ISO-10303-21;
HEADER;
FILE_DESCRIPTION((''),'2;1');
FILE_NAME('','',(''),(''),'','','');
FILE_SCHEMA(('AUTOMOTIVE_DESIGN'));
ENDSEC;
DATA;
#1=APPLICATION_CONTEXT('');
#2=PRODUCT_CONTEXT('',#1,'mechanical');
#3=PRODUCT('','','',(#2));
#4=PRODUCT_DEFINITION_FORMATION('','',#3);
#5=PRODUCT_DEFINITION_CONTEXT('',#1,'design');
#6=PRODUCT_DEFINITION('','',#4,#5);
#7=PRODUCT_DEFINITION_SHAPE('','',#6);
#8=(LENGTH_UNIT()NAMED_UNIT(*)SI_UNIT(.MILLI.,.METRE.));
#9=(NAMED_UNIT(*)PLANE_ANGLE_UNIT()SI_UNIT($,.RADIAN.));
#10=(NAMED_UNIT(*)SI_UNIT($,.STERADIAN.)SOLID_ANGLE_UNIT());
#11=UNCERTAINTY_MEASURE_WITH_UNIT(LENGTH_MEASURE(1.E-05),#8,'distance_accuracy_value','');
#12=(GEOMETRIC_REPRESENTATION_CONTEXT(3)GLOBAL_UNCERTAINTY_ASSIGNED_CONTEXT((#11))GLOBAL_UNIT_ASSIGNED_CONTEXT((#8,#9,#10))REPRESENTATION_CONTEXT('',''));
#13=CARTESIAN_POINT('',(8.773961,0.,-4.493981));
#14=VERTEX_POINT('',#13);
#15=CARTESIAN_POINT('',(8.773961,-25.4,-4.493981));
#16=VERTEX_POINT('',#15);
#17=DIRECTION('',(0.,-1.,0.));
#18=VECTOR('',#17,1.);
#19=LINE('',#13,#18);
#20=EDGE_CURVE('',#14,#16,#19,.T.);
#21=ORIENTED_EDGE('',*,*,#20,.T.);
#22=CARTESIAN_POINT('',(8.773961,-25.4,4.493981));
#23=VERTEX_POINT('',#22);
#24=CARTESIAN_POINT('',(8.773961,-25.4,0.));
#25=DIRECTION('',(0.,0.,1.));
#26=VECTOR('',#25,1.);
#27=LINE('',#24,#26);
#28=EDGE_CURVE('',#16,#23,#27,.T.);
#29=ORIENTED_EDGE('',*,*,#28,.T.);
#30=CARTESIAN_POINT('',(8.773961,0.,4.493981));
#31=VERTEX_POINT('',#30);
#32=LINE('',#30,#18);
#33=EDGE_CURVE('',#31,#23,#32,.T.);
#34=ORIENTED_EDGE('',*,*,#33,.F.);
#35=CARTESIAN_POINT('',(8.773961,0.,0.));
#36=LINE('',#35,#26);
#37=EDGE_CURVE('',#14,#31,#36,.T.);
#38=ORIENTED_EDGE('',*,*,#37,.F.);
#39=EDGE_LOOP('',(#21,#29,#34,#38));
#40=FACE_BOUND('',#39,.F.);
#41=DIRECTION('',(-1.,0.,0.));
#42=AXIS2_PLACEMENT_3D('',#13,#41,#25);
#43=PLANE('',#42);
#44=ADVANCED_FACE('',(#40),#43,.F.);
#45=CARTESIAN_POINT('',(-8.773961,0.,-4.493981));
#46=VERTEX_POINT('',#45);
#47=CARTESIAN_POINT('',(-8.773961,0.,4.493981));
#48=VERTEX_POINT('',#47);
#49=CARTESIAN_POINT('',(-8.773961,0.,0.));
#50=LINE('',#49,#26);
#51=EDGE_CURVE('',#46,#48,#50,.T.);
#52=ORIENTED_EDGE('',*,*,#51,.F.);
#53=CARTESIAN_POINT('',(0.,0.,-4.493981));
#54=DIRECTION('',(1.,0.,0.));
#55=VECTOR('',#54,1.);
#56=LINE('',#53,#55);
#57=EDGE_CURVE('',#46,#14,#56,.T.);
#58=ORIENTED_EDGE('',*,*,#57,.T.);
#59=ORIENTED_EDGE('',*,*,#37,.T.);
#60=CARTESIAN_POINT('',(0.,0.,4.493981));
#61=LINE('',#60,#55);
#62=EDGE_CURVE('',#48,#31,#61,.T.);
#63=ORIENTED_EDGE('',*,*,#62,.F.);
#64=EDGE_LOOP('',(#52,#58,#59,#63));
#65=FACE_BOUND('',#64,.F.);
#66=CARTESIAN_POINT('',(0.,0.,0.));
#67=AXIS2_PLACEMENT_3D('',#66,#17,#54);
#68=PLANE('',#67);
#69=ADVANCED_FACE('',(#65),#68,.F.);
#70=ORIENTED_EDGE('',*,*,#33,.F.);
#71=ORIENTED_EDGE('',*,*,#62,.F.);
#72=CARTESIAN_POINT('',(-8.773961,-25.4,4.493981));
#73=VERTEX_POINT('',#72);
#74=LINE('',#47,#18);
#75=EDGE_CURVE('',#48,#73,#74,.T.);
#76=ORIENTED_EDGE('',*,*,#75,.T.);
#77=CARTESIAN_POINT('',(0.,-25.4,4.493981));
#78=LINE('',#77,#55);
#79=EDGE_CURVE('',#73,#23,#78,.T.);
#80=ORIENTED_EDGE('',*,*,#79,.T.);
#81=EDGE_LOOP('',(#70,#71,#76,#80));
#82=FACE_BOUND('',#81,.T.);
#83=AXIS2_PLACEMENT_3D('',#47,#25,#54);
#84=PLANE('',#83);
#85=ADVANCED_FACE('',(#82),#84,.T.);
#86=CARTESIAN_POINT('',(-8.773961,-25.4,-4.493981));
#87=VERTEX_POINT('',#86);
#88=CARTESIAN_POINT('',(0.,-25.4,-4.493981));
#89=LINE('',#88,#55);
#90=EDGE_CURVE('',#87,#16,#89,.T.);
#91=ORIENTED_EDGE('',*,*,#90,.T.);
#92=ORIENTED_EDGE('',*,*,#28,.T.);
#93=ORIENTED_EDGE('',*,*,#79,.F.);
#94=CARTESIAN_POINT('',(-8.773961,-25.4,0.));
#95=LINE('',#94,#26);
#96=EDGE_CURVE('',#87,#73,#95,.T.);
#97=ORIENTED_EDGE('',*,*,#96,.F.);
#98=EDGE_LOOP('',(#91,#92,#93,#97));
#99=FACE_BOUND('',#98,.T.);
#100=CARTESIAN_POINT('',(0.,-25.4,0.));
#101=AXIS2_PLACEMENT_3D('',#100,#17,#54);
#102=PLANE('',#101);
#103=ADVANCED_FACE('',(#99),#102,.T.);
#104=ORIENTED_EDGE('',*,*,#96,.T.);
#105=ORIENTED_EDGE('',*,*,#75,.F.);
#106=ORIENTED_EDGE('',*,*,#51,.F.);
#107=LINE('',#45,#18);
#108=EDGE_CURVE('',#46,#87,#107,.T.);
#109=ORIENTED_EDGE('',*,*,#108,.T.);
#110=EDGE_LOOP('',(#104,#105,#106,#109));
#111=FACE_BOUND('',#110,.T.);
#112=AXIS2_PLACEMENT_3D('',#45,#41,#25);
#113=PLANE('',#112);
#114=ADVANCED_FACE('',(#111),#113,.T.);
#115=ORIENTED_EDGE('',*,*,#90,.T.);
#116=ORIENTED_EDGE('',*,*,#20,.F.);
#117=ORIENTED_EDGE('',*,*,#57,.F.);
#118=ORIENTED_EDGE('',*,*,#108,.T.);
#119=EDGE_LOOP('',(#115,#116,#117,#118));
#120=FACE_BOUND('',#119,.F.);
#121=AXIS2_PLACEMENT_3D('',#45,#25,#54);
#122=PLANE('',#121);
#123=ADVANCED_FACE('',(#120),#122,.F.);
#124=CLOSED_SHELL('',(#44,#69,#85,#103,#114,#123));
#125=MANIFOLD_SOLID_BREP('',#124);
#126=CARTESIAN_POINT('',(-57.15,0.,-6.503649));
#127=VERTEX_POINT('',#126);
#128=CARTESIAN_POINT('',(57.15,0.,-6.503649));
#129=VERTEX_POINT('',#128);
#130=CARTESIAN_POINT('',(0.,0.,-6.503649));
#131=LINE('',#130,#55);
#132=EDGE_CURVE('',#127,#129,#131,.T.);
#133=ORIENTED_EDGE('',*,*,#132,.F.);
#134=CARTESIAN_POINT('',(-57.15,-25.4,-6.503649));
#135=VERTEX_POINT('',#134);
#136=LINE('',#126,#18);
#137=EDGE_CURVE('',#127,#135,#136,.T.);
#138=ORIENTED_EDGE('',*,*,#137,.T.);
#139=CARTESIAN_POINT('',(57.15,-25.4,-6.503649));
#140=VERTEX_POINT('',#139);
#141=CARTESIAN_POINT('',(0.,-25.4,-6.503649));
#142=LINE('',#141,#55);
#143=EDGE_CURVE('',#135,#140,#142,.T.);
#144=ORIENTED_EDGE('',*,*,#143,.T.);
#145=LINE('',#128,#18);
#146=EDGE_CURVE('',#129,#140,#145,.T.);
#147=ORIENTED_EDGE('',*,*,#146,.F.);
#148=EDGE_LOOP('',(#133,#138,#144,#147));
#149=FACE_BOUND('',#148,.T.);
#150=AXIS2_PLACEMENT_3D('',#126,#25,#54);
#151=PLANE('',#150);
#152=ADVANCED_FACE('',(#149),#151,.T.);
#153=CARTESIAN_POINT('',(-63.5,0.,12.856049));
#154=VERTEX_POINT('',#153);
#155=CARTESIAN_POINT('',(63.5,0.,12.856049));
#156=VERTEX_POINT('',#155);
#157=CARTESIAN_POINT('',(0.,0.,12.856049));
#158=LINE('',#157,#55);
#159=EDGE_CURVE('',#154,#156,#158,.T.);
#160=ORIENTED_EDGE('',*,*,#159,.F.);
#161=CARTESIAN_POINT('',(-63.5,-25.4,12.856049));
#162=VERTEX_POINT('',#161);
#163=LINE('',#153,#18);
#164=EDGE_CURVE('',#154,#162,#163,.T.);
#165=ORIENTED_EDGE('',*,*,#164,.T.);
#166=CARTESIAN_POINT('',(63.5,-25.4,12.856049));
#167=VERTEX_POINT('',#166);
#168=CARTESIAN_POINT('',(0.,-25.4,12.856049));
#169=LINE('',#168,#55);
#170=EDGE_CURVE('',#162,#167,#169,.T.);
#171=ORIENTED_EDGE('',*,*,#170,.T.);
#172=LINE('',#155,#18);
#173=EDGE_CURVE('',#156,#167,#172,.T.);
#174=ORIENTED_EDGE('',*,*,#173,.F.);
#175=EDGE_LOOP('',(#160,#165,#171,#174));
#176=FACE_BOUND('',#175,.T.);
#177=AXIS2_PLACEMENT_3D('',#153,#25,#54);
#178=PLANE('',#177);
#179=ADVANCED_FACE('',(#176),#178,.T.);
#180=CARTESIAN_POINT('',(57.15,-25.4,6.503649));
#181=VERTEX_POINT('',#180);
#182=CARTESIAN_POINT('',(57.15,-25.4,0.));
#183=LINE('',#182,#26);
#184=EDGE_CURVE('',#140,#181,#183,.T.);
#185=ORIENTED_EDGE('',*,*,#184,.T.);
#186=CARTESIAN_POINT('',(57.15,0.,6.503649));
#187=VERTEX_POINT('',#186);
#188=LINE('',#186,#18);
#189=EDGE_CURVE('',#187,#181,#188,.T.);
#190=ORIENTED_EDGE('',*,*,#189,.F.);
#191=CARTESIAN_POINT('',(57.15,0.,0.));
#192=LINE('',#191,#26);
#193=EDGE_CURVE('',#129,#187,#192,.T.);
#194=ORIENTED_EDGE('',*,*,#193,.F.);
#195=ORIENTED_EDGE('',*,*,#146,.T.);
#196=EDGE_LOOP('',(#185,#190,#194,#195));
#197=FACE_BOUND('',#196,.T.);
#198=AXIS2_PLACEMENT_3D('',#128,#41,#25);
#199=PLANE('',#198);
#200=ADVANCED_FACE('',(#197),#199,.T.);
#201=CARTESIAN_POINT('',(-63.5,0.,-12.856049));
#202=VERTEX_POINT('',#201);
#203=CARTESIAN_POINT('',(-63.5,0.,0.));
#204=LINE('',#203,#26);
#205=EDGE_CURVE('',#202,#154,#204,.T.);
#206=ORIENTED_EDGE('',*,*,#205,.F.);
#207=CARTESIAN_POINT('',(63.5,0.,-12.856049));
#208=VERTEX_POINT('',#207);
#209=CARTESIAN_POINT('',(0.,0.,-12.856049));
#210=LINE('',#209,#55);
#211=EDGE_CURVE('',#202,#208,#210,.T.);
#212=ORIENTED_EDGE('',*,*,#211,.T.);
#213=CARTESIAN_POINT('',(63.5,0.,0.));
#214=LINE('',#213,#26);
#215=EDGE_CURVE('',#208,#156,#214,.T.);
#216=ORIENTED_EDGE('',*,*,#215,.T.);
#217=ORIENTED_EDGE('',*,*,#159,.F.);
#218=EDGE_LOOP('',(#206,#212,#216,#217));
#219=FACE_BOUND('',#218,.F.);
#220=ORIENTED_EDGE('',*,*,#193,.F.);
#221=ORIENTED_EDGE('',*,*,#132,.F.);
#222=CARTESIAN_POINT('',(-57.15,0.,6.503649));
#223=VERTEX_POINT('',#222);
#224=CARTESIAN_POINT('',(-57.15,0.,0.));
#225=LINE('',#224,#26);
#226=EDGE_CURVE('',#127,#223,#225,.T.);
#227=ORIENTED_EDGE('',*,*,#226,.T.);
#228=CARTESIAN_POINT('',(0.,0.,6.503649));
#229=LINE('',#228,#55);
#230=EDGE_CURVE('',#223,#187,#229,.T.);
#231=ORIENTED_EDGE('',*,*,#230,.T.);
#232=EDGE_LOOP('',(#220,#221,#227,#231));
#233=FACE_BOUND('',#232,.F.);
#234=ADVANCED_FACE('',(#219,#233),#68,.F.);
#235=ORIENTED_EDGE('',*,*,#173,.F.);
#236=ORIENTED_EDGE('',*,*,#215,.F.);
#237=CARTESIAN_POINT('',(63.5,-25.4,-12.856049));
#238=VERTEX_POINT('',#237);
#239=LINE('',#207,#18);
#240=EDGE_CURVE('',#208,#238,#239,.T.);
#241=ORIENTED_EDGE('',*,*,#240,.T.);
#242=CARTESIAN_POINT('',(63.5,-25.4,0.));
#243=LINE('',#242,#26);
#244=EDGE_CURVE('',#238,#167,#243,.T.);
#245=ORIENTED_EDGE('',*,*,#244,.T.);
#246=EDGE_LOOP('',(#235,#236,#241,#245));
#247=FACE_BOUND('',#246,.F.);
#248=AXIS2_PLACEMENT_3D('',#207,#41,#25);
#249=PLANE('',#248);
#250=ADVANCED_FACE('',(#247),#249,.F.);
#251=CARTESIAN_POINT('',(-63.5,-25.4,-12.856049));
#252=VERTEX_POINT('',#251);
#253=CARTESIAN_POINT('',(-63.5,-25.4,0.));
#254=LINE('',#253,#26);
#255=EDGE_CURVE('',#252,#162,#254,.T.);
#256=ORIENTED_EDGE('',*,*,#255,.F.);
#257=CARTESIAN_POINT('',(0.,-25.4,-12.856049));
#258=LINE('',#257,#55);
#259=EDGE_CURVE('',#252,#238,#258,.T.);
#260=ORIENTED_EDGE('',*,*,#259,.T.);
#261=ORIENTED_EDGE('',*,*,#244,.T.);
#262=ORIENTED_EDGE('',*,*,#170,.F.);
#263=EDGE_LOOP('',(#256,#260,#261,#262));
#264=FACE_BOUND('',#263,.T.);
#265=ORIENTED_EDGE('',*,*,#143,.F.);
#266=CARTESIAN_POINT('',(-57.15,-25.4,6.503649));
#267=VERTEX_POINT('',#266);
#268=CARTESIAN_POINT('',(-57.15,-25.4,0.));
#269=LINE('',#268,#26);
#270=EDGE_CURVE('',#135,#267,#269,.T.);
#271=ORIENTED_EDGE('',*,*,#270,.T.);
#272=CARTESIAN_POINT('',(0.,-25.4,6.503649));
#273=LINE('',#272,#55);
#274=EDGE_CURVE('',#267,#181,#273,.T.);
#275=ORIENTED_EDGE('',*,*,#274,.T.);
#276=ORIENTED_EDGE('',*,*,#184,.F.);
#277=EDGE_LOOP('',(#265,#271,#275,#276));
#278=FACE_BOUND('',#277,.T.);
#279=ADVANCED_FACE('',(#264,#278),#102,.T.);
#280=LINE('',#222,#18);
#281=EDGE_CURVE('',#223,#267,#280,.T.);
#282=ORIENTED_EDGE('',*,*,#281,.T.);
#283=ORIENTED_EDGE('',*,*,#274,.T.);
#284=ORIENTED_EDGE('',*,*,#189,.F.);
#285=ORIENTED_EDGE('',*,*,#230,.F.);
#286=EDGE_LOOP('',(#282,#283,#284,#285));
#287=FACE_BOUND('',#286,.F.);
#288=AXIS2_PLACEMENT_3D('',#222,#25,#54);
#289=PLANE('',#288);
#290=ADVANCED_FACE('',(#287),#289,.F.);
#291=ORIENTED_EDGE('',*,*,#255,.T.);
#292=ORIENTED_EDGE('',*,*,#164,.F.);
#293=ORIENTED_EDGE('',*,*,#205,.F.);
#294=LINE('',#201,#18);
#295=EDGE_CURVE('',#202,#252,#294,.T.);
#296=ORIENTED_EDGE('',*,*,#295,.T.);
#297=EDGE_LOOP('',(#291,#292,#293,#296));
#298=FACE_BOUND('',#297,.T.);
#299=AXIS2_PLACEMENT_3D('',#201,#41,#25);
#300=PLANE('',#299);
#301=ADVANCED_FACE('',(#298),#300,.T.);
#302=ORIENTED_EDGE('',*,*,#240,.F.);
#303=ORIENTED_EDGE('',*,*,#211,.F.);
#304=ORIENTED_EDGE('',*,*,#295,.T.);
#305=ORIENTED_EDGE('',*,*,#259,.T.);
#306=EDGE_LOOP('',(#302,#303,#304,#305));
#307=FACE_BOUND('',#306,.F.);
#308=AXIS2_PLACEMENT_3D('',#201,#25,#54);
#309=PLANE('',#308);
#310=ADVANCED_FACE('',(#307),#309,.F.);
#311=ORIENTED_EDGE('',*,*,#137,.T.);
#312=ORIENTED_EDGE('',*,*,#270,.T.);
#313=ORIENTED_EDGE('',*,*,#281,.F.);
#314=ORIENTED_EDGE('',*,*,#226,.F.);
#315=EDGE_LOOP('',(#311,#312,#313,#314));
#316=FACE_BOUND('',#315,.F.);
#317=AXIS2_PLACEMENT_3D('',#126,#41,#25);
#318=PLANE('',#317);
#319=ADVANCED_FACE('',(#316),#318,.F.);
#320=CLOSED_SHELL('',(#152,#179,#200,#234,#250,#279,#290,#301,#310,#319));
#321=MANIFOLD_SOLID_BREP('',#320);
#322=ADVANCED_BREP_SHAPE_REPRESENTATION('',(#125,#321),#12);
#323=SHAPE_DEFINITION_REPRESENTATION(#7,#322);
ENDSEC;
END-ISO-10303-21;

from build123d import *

# Parameters (mm, degrees)
F0_W     = 127
F0_H     = 25.712098
F0_W_2   = 114.3
F0_H_2   = 13.007298
F1_DEPTH = 25.4
F2_W     = 17.547922
F2_H     = 8.987962
F3_DEPTH = 25.4


with BuildPart() as f1:
    # F0 (on Front) → F1 (new body)
    with BuildSketch(Plane.XZ):
        Rectangle(F0_W, F0_H)
        Rectangle(F0_W_2, F0_H_2, mode=Mode.SUBTRACT)
    extrude(amount=F1_DEPTH)


with BuildPart() as f3:
    # F2 (on Front) → F3 (new body)
    with BuildSketch(Plane.XZ):
        Rectangle(F2_W, F2_H)
    extrude(amount=F3_DEPTH)


solid = Compound([f1.part, f3.part])
